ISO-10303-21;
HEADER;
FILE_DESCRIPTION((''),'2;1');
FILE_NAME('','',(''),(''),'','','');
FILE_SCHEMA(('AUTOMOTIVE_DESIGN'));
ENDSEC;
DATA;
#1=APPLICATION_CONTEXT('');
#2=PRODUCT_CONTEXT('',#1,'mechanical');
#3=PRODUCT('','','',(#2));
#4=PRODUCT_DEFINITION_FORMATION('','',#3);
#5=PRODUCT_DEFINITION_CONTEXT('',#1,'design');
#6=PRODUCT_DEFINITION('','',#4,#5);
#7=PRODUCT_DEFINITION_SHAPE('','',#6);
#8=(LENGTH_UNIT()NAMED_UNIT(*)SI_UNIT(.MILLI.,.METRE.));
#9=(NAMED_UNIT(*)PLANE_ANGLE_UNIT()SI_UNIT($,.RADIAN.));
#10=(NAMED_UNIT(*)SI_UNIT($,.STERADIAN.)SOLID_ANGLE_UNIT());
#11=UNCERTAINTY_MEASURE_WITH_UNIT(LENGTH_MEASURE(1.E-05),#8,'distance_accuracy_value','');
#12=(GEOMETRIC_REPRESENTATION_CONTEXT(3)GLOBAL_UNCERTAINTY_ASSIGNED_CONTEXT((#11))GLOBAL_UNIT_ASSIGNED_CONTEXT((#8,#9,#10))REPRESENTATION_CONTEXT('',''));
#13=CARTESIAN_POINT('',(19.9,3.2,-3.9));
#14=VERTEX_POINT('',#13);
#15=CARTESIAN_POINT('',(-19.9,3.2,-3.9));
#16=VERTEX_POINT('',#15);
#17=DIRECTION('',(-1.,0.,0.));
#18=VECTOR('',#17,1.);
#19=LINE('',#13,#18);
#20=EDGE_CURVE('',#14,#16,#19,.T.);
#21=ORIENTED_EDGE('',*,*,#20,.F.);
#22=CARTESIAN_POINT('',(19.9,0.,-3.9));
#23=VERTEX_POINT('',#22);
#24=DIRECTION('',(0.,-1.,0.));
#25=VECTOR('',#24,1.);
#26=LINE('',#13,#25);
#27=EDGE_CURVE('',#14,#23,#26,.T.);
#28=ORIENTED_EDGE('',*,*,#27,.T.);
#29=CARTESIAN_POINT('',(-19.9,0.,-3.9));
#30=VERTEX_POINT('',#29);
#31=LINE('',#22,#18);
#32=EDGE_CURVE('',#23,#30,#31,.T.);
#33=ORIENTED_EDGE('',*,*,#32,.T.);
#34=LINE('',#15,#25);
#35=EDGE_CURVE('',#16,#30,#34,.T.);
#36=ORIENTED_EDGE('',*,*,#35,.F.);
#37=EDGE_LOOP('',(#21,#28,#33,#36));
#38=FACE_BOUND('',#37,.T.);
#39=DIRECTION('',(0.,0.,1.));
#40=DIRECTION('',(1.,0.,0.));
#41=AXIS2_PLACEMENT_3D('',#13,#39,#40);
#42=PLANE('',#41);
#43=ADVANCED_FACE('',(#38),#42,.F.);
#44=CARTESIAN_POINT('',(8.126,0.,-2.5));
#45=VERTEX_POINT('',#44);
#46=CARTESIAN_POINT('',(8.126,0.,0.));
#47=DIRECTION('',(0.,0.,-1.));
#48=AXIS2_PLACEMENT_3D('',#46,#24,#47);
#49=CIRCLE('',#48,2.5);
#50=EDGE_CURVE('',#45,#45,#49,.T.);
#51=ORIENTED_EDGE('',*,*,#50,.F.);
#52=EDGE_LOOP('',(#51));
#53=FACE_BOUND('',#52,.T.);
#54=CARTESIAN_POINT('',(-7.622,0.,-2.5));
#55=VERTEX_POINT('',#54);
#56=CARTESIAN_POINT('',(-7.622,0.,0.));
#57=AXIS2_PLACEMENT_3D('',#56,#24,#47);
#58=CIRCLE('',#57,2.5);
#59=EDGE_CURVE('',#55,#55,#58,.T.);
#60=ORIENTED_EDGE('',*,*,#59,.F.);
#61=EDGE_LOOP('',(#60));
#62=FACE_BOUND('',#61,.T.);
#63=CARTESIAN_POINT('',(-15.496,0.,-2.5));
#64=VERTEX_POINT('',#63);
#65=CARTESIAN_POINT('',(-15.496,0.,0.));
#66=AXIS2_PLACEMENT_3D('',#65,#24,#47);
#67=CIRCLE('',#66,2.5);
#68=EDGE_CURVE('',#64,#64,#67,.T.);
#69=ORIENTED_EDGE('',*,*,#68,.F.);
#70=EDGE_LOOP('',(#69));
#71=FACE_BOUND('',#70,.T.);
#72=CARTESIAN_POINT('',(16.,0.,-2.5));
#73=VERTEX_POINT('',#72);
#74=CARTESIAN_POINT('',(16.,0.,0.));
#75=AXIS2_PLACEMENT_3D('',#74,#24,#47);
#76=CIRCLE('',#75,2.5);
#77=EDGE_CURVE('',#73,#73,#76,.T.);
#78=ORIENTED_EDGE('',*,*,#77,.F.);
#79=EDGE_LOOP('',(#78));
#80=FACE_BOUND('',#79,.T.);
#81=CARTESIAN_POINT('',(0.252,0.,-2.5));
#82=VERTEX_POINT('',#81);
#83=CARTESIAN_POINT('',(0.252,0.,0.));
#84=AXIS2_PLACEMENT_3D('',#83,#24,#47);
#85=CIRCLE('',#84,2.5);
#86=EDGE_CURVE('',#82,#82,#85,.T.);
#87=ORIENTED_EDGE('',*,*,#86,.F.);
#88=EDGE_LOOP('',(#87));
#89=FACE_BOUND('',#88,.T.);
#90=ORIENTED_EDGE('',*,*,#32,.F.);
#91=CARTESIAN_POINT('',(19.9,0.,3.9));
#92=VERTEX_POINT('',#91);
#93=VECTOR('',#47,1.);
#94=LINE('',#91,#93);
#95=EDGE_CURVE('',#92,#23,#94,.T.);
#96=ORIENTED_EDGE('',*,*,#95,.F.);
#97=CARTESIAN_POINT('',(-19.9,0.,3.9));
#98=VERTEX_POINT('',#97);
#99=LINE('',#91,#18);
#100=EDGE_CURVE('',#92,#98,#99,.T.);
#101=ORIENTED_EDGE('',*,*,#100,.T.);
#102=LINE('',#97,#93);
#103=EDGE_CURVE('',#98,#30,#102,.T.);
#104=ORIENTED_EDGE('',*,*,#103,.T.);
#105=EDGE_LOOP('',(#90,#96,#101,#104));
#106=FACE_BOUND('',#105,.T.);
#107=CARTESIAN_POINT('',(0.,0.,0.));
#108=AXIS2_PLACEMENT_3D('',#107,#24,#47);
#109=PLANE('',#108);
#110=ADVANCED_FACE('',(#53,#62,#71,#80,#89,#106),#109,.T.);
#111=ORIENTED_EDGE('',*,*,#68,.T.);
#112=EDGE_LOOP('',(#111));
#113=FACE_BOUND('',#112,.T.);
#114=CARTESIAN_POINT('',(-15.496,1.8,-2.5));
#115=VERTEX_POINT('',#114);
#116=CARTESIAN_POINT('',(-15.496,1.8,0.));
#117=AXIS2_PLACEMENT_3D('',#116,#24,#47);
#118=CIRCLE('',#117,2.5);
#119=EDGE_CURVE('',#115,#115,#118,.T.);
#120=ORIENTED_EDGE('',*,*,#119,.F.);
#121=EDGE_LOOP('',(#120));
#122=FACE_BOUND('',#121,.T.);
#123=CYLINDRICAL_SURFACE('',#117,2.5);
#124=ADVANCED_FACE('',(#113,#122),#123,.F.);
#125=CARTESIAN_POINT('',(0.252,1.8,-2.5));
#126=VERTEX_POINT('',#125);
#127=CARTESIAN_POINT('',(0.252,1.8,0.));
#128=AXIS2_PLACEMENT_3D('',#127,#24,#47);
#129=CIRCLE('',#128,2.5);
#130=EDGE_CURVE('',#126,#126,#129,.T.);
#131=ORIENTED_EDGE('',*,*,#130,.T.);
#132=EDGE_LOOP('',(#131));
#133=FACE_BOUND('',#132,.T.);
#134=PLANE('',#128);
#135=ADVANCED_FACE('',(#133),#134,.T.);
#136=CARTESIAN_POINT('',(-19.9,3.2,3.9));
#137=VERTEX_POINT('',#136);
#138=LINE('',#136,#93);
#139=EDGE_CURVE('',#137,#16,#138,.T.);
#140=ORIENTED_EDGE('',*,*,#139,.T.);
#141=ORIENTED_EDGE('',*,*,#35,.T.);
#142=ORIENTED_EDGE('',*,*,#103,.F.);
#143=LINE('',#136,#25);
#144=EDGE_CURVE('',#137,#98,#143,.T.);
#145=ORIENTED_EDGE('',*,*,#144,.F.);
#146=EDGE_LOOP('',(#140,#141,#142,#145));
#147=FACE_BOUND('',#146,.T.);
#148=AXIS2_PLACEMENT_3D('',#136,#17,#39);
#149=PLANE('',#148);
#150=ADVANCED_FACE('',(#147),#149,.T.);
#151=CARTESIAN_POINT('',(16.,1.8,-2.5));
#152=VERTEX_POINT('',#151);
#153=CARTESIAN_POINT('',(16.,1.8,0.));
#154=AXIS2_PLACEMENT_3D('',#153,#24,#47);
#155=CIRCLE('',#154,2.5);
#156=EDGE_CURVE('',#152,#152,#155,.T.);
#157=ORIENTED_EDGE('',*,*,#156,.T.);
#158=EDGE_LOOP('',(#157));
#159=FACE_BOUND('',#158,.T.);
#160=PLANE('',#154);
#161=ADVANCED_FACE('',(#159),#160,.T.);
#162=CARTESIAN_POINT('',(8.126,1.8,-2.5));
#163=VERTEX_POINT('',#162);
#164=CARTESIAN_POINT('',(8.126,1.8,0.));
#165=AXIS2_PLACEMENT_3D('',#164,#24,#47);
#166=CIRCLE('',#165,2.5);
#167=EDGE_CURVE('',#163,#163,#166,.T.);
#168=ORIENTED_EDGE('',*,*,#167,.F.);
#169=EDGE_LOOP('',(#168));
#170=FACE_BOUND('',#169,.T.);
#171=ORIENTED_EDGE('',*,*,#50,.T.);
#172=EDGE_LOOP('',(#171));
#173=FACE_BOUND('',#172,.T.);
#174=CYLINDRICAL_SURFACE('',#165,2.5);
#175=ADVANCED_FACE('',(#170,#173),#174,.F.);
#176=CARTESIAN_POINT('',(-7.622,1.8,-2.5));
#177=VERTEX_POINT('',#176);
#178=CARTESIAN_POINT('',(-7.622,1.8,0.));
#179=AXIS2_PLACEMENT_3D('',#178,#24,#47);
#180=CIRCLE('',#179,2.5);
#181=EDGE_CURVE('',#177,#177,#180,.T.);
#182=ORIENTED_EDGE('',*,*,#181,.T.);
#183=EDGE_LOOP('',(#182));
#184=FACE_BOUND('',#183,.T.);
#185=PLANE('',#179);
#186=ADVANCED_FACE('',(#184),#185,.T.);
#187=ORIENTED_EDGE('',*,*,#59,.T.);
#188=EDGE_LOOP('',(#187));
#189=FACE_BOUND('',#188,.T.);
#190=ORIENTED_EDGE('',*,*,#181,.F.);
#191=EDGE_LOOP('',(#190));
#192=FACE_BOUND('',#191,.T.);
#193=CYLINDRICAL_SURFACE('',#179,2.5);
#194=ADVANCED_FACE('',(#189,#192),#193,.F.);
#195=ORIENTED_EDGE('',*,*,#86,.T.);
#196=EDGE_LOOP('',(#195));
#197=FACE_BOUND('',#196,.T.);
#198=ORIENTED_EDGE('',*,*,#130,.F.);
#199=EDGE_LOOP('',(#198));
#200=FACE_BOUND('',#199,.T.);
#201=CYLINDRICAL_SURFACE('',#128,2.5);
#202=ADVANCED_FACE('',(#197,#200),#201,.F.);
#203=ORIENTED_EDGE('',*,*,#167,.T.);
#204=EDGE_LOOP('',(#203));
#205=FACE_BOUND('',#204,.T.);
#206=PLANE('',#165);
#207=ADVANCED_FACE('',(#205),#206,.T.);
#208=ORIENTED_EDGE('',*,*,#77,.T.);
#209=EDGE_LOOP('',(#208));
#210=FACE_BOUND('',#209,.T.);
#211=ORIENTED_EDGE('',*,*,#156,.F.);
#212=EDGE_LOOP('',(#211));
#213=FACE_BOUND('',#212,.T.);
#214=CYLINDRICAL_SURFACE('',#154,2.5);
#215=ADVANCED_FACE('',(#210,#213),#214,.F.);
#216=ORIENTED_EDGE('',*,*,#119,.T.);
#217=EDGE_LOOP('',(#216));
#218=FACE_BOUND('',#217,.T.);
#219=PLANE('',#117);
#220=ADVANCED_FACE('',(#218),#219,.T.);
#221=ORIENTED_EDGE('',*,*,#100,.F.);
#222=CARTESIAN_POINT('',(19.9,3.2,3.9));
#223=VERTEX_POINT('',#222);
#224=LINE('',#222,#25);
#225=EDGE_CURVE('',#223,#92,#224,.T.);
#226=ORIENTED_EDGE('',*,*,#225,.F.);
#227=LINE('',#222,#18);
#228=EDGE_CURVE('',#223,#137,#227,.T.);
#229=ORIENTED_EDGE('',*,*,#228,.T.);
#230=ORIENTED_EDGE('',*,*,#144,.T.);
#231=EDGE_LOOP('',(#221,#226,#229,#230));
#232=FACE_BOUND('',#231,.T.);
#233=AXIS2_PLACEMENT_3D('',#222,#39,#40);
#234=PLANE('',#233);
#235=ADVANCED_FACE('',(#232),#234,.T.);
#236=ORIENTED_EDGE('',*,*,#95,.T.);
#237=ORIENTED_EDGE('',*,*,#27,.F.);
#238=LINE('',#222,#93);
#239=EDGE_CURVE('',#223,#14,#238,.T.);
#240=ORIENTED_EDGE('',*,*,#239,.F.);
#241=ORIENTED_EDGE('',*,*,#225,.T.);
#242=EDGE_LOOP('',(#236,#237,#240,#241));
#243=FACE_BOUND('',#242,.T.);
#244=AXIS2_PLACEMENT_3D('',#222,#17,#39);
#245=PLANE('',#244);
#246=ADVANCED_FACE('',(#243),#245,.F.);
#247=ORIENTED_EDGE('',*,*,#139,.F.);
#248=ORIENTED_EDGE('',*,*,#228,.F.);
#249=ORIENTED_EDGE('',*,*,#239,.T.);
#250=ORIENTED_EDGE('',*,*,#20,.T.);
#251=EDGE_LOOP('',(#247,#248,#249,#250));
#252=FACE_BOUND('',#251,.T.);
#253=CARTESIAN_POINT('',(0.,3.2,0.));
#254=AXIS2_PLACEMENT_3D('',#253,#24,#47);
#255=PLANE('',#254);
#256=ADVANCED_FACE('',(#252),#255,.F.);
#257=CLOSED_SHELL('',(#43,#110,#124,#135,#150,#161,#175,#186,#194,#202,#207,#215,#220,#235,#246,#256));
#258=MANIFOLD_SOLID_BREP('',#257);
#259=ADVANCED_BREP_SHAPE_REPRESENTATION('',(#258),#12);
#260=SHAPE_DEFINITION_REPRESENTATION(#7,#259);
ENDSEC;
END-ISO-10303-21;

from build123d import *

# Parameters (mm, degrees)
SKETCH_1_W          = 39.8
SKETCH_1_H          = 7.8
EXTRUDE_1_DEPTH     = 3.2
SKETCH_2_R          = 2.5
CUT_EXTRUDE_1_DEPTH = 1.8


with BuildPart() as part:
    # Эскиз1 → Бобышка-Вытянуть1 (new body)
    with BuildSketch(Plane(origin=(0, 0, 0), x_dir=(1, 0, 0), z_dir=(0, 1, 0))):
        Rectangle(SKETCH_1_W, SKETCH_1_H)
    extrude(amount=EXTRUDE_1_DEPTH)

    # Эскиз2 → Вырез-Вытянуть1 (cut)
    with BuildSketch(Plane.XZ):
        with Locations(Location((16, 0, 0), (0, 0, 270))):
            Circle(SKETCH_2_R)
        with Locations(Location((8.126, 0, 0), (0, 0, 270))):
            Circle(SKETCH_2_R)
        with Locations(Location((0.252, 0, 0), (0, 0, 270))):
            Circle(SKETCH_2_R)
        with Locations(Location((-7.622, 0, 0), (0, 0, 270))):
            Circle(SKETCH_2_R)
        with Locations(Location((-15.496, 0, 0), (0, 0, 270))):
            Circle(SKETCH_2_R)
    extrude(amount=-CUT_EXTRUDE_1_DEPTH, mode=Mode.SUBTRACT)


solid = part.part
